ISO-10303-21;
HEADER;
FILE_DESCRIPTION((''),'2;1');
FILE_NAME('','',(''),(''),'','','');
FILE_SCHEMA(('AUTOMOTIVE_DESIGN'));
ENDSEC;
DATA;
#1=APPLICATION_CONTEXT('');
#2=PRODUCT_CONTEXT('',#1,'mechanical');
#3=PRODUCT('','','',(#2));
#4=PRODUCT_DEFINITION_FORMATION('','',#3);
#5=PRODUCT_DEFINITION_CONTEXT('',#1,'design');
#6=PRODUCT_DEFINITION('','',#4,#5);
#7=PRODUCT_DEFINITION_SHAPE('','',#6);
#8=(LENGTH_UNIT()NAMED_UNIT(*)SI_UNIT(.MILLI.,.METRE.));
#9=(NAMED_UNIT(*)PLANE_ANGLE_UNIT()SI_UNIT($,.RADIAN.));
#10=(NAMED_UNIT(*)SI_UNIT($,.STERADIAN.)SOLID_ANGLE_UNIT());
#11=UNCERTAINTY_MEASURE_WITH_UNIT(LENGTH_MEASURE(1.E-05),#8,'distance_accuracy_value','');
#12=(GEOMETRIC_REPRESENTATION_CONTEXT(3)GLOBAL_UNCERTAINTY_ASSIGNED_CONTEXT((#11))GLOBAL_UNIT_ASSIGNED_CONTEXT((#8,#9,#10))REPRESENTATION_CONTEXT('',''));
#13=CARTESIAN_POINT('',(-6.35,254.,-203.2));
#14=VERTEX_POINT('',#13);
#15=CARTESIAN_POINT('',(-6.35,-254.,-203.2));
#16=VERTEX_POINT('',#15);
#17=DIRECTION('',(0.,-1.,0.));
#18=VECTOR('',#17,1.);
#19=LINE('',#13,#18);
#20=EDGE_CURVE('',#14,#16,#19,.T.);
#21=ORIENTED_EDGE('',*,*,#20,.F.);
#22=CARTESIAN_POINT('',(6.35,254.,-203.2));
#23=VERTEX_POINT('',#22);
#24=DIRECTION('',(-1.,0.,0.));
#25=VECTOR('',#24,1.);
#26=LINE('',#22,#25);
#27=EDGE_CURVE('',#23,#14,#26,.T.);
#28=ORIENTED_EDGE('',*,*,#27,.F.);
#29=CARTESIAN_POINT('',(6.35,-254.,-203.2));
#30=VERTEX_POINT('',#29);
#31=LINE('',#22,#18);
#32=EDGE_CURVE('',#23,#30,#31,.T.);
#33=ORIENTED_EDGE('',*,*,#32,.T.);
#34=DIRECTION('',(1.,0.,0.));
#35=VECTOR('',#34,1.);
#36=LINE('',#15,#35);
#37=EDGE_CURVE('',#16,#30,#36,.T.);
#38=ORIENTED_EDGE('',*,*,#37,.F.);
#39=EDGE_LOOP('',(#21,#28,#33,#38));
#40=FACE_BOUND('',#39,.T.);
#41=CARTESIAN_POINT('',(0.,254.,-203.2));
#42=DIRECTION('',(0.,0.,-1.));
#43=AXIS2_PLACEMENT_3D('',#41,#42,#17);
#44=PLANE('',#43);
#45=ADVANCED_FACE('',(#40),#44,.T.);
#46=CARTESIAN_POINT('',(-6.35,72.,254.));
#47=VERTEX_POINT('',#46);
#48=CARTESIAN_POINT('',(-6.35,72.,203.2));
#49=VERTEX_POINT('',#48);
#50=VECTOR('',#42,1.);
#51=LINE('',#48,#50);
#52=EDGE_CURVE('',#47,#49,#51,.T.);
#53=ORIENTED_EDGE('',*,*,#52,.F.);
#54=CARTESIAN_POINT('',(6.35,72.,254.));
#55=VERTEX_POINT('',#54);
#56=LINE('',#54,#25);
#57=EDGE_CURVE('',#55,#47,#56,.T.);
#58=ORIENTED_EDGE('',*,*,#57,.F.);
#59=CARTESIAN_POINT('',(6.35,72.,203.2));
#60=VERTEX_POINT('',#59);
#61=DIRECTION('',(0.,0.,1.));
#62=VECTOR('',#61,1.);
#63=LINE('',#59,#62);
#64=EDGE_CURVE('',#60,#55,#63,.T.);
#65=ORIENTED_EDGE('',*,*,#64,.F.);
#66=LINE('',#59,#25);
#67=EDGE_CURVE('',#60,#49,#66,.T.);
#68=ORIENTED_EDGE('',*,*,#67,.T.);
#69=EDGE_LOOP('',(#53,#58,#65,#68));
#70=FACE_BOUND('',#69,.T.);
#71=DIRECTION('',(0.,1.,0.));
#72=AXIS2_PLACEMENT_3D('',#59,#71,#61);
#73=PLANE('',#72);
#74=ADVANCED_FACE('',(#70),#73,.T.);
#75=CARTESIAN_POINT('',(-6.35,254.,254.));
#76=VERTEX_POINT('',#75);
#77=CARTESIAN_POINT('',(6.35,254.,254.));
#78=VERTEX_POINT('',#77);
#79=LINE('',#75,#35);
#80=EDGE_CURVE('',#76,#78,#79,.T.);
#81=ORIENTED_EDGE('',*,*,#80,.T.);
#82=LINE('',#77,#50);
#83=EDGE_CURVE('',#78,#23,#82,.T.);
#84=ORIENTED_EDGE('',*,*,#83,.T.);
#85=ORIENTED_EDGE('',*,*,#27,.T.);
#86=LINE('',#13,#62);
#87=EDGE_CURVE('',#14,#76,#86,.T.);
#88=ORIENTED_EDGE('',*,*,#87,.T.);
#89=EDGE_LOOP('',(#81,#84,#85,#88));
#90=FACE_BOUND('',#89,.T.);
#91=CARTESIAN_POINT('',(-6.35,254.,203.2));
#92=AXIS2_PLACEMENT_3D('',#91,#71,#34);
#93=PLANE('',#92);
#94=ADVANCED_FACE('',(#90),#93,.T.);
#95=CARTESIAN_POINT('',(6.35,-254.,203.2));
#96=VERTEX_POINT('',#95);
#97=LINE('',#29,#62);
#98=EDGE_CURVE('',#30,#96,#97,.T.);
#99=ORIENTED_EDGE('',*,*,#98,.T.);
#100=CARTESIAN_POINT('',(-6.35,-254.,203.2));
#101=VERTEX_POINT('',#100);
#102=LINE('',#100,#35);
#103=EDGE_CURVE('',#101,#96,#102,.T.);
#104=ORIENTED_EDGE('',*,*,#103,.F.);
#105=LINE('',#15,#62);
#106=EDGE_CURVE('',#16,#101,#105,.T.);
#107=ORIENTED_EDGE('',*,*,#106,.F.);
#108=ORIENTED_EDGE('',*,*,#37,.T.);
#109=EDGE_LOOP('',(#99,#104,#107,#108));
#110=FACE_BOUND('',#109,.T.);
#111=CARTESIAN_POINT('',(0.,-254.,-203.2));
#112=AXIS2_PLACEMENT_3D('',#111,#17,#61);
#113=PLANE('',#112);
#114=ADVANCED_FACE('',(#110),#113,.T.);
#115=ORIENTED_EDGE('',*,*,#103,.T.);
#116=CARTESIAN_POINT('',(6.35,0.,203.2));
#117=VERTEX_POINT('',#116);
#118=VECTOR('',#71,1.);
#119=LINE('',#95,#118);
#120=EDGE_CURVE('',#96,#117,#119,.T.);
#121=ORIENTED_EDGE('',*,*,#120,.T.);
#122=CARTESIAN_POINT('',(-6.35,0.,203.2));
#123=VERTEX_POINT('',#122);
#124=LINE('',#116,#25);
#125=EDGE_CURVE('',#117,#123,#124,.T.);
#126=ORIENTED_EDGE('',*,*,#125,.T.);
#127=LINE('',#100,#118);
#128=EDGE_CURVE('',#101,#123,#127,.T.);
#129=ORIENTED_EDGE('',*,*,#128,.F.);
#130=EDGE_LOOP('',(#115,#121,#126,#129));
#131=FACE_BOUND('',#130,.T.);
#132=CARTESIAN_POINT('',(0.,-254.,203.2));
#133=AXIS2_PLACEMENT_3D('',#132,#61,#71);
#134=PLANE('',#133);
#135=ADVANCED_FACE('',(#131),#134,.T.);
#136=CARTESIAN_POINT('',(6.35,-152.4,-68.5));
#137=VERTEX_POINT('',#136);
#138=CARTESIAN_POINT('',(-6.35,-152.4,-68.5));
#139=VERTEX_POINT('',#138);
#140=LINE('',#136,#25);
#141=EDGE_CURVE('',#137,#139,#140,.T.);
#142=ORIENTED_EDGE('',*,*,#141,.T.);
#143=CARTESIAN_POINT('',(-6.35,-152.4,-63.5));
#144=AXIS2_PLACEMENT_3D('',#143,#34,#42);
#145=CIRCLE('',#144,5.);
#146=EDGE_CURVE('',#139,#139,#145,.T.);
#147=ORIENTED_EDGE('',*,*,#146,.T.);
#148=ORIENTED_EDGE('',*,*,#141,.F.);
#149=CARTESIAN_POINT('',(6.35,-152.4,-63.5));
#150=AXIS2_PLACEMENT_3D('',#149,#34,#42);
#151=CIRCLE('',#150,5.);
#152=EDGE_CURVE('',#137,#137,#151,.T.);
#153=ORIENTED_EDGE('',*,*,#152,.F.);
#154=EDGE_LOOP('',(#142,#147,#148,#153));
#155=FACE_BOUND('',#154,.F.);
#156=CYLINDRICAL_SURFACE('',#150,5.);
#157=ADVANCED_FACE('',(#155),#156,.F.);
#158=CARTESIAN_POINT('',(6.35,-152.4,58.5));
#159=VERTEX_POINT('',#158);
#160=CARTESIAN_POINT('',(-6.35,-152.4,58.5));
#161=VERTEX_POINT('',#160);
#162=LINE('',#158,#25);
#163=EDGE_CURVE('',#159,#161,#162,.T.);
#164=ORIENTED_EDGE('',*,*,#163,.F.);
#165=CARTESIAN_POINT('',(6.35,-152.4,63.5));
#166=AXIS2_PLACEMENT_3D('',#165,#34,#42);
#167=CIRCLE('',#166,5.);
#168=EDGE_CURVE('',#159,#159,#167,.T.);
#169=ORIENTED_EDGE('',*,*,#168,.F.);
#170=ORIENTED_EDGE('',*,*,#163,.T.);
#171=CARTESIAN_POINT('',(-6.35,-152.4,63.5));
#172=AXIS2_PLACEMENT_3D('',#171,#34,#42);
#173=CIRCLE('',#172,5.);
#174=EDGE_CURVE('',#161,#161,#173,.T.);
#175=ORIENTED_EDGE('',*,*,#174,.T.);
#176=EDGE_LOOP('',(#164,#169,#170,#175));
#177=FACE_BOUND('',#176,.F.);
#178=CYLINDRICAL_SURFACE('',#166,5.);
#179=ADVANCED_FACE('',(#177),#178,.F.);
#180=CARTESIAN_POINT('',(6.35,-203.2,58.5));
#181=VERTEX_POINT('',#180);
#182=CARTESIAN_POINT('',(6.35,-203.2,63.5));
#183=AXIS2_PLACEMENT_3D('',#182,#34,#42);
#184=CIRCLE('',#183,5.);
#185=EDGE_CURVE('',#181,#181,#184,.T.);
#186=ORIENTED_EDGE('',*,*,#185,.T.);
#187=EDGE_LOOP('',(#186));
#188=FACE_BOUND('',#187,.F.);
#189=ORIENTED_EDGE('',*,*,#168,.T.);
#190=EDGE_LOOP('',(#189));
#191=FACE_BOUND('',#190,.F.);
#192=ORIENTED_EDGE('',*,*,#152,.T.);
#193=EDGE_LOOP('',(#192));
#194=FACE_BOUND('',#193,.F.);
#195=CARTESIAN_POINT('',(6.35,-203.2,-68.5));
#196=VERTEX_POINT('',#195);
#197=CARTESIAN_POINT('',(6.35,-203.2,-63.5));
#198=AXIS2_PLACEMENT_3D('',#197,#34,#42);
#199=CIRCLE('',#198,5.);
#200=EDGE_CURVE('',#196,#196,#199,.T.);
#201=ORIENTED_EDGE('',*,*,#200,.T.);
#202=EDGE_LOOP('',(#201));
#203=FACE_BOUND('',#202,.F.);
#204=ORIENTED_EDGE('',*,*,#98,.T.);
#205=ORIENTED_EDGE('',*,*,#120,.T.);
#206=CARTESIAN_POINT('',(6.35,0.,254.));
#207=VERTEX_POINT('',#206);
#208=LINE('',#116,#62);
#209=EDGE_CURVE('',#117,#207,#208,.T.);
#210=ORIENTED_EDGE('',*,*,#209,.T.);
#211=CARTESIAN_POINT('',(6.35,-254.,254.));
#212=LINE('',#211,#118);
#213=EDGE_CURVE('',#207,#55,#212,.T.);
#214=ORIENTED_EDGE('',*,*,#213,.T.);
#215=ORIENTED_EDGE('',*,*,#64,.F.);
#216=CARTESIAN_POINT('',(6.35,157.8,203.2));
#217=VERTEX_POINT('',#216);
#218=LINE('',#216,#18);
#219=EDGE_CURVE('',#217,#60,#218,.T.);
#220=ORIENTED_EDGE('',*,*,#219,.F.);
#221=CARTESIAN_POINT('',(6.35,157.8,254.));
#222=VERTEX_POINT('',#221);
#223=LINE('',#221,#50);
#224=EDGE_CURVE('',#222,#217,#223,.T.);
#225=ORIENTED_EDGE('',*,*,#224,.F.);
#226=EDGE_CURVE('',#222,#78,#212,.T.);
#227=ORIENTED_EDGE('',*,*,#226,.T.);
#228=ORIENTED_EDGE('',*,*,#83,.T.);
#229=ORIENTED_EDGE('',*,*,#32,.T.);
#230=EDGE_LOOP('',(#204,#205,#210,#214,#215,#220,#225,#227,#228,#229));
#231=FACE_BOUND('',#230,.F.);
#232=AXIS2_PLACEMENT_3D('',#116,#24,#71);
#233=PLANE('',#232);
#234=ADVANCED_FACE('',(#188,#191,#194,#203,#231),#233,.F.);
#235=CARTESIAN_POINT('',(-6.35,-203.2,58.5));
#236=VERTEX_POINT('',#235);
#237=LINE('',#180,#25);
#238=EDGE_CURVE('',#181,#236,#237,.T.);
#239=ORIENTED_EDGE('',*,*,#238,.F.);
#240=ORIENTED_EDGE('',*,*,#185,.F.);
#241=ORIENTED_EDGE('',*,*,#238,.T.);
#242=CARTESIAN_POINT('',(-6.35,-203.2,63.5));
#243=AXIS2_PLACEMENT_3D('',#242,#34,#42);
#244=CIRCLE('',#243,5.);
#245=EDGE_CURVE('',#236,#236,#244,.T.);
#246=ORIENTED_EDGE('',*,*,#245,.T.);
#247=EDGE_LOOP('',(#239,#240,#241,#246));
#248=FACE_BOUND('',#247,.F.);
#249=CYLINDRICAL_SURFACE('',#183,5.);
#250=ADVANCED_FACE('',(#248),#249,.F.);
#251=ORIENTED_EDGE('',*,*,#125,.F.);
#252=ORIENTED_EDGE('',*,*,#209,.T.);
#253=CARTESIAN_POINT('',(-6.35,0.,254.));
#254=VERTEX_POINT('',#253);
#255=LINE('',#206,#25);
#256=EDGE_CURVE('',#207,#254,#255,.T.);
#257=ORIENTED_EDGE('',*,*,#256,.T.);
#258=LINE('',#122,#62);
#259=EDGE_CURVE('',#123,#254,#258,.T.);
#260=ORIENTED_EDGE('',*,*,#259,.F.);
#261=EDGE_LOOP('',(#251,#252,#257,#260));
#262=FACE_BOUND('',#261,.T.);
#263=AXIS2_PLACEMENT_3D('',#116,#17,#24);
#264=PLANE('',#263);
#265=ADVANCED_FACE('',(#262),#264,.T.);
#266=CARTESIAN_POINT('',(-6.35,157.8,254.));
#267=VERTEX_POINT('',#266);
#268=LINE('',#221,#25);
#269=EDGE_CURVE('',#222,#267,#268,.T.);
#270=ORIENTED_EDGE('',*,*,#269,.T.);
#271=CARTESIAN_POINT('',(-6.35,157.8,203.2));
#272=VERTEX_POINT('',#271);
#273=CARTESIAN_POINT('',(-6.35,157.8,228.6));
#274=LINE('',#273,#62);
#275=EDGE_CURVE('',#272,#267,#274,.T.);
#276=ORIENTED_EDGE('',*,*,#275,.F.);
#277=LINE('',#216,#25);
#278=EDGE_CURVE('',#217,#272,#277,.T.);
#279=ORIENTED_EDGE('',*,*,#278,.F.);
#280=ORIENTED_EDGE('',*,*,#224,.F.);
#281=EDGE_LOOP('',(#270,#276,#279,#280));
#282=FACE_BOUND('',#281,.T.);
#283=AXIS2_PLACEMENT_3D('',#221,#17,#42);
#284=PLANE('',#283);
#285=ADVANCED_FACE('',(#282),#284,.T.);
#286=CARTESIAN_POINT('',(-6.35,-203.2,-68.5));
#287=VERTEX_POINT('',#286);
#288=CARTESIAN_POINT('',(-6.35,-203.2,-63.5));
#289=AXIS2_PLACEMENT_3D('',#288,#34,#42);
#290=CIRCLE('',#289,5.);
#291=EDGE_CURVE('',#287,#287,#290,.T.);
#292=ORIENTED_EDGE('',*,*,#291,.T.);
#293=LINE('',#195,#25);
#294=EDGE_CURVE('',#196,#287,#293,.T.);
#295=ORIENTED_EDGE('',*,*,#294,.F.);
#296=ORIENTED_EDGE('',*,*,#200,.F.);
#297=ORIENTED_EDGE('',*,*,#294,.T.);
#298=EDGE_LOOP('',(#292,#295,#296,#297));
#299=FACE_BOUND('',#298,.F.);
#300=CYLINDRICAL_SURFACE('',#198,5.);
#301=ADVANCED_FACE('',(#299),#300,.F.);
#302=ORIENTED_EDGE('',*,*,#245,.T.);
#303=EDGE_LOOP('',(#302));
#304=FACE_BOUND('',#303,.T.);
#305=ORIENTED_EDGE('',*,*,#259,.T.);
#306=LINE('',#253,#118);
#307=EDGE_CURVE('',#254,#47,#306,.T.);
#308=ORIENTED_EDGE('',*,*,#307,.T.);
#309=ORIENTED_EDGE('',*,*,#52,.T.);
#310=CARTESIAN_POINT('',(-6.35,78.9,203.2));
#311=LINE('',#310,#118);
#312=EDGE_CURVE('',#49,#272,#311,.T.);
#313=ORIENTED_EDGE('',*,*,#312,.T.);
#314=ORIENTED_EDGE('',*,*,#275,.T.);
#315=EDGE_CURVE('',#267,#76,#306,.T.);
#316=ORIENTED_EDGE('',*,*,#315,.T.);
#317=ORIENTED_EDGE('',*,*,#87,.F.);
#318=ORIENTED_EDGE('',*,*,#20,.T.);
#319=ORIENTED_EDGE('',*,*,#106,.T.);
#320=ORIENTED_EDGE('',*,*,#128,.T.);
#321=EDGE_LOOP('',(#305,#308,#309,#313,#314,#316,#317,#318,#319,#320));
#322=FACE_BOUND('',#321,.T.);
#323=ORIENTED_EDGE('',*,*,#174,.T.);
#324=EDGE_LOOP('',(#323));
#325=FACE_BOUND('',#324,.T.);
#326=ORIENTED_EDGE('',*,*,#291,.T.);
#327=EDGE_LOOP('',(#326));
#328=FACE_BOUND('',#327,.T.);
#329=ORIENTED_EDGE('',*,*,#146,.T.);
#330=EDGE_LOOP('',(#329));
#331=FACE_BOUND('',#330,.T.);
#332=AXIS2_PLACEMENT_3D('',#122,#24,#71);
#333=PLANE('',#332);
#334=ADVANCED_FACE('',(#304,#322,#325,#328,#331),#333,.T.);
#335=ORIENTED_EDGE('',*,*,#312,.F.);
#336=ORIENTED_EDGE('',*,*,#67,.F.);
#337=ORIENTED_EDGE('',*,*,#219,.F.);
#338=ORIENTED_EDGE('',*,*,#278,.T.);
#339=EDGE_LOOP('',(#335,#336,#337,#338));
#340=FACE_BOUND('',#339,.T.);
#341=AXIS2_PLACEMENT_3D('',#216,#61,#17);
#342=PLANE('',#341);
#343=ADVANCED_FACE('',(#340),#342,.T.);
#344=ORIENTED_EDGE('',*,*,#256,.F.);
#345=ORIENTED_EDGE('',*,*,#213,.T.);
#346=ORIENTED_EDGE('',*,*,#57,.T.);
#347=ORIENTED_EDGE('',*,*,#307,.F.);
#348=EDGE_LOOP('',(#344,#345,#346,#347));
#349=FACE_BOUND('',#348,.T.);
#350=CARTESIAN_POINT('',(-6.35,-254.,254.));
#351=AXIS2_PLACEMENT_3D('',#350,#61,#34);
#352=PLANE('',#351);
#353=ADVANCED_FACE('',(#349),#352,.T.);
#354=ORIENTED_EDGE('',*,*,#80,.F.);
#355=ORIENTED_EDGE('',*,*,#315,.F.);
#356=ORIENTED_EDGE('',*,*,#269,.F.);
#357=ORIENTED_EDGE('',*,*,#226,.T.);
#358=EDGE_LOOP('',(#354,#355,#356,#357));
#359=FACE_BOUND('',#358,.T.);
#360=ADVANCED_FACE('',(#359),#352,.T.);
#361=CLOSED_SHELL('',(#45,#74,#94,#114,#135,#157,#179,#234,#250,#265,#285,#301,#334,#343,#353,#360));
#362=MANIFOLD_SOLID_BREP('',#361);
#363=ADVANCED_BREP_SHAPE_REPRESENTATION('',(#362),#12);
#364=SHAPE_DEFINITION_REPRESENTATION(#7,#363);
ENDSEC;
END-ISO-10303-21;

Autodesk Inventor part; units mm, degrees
ref_plane "YZ Plane" through (0, 0, 0) normal (1, 0, 0) x (0, 1, 0)
ref_plane "XZ Plane" through (0, 0, 0) normal (0, 1, 0) x (-1, 0, 0)
ref_plane "XY Plane" through (0, 0, 0) normal (0, 0, 1) x (1, 0, 0)
sketch "Sketch1" plane through (0, 0, 0) normal (1, 0, 0) x (0, 1, 0)
  line L0 (-254, 203.2) -> (254, 203.2)
  line L1 (254, 203.2) -> (254, -203.2)
  line L2 (254, -203.2) -> (-254, -203.2)
  line L3 (-254, -203.2) -> (-254, 203.2)
  line L4 (-254, 203.2) -> (254, -203.2) construction
  line L5 (254, 203.2) -> (-254, -203.2) construction
  point P0 (0, 0)
  dimension "d0" = 406.4
  dimension "d1" = 508
extrude "Extrusion1" add sketch "Sketch1" along normal mid plane 12.7
sketch "Sketch2" plane through (6.35, 0, 0) normal (1, 0, 0) x (0, 0, -1)
  circle A0 centre (-63.5, -203.2) radius 5
  line L0 (203.2, -254) -> (203.2, 254) projected
  line L1 (203.2, 254) -> (-203.2, 254) projected
  line L2 (-203.2, 254) -> (-203.2, -254) projected
  line L3 (-203.2, -254) -> (203.2, -254) projected
  circle A1 centre (63.5, -203.2) radius 5
  circle A2 centre (-63.5, -152.4) radius 5
  circle A3 centre (63.5, -152.4) radius 5
  point P0 (0, 0)
  dimension "d6" = 127
  dimension "d9" = 50.8
  dimension "d12" = 10
  dimension "d14" = 63.5
  dimension "d15" = 50.8
extrude "Extrusion2" cut sketch "Sketch2" against normal blind 12.7 contours A0 | A1 | A2 | A3
sketch "Sketch3" plane through (-6.35, -254, 203.2) normal (0, 0, 1) x (1, 0, 0)
  line L0 (0, 508) -> (12.7, 508) projected
  line L1 (12.7, 0) -> (12.7, 508) projected
  line L2 (0, 508) -> (12.7, 508)
  line L3 (12.7, 508) -> (12.7, 254)
  line L4 (12.7, 254) -> (0, 254)
  line L5 (0, 254) -> (0, 508)
  point P0 (6.35, 254)
  dimension "d26" = 254
extrude "Extrusion3" add sketch "Sketch3" along normal blind 50.8
sketch "Sketch4" plane through (6.35, 0, 0) normal (1, 0, 0) x (0, 0, -1)
  line L0 (-254, 157.8) -> (-203.2, 157.8)
  line L1 (-203.2, 157.8) -> (-203.2, 72)
  line L2 (-203.2, 72) -> (-254, 72)
  line L3 (-254, 72) -> (-254, 157.8)
  line L4 (-254, 0) -> (-254, 254) projected
  line L5 (203.2, 254) -> (-254, 254) projected
  point P0 (0, 0)
  dimension "d20" = 0
  dimension "d21" = 96.2
  dimension "d22" = 50.8
  dimension "d23" = 85.8
extrude "Extrusion4" cut sketch "Sketch4" against normal blind 50.8
properties part number "Wood-6"
